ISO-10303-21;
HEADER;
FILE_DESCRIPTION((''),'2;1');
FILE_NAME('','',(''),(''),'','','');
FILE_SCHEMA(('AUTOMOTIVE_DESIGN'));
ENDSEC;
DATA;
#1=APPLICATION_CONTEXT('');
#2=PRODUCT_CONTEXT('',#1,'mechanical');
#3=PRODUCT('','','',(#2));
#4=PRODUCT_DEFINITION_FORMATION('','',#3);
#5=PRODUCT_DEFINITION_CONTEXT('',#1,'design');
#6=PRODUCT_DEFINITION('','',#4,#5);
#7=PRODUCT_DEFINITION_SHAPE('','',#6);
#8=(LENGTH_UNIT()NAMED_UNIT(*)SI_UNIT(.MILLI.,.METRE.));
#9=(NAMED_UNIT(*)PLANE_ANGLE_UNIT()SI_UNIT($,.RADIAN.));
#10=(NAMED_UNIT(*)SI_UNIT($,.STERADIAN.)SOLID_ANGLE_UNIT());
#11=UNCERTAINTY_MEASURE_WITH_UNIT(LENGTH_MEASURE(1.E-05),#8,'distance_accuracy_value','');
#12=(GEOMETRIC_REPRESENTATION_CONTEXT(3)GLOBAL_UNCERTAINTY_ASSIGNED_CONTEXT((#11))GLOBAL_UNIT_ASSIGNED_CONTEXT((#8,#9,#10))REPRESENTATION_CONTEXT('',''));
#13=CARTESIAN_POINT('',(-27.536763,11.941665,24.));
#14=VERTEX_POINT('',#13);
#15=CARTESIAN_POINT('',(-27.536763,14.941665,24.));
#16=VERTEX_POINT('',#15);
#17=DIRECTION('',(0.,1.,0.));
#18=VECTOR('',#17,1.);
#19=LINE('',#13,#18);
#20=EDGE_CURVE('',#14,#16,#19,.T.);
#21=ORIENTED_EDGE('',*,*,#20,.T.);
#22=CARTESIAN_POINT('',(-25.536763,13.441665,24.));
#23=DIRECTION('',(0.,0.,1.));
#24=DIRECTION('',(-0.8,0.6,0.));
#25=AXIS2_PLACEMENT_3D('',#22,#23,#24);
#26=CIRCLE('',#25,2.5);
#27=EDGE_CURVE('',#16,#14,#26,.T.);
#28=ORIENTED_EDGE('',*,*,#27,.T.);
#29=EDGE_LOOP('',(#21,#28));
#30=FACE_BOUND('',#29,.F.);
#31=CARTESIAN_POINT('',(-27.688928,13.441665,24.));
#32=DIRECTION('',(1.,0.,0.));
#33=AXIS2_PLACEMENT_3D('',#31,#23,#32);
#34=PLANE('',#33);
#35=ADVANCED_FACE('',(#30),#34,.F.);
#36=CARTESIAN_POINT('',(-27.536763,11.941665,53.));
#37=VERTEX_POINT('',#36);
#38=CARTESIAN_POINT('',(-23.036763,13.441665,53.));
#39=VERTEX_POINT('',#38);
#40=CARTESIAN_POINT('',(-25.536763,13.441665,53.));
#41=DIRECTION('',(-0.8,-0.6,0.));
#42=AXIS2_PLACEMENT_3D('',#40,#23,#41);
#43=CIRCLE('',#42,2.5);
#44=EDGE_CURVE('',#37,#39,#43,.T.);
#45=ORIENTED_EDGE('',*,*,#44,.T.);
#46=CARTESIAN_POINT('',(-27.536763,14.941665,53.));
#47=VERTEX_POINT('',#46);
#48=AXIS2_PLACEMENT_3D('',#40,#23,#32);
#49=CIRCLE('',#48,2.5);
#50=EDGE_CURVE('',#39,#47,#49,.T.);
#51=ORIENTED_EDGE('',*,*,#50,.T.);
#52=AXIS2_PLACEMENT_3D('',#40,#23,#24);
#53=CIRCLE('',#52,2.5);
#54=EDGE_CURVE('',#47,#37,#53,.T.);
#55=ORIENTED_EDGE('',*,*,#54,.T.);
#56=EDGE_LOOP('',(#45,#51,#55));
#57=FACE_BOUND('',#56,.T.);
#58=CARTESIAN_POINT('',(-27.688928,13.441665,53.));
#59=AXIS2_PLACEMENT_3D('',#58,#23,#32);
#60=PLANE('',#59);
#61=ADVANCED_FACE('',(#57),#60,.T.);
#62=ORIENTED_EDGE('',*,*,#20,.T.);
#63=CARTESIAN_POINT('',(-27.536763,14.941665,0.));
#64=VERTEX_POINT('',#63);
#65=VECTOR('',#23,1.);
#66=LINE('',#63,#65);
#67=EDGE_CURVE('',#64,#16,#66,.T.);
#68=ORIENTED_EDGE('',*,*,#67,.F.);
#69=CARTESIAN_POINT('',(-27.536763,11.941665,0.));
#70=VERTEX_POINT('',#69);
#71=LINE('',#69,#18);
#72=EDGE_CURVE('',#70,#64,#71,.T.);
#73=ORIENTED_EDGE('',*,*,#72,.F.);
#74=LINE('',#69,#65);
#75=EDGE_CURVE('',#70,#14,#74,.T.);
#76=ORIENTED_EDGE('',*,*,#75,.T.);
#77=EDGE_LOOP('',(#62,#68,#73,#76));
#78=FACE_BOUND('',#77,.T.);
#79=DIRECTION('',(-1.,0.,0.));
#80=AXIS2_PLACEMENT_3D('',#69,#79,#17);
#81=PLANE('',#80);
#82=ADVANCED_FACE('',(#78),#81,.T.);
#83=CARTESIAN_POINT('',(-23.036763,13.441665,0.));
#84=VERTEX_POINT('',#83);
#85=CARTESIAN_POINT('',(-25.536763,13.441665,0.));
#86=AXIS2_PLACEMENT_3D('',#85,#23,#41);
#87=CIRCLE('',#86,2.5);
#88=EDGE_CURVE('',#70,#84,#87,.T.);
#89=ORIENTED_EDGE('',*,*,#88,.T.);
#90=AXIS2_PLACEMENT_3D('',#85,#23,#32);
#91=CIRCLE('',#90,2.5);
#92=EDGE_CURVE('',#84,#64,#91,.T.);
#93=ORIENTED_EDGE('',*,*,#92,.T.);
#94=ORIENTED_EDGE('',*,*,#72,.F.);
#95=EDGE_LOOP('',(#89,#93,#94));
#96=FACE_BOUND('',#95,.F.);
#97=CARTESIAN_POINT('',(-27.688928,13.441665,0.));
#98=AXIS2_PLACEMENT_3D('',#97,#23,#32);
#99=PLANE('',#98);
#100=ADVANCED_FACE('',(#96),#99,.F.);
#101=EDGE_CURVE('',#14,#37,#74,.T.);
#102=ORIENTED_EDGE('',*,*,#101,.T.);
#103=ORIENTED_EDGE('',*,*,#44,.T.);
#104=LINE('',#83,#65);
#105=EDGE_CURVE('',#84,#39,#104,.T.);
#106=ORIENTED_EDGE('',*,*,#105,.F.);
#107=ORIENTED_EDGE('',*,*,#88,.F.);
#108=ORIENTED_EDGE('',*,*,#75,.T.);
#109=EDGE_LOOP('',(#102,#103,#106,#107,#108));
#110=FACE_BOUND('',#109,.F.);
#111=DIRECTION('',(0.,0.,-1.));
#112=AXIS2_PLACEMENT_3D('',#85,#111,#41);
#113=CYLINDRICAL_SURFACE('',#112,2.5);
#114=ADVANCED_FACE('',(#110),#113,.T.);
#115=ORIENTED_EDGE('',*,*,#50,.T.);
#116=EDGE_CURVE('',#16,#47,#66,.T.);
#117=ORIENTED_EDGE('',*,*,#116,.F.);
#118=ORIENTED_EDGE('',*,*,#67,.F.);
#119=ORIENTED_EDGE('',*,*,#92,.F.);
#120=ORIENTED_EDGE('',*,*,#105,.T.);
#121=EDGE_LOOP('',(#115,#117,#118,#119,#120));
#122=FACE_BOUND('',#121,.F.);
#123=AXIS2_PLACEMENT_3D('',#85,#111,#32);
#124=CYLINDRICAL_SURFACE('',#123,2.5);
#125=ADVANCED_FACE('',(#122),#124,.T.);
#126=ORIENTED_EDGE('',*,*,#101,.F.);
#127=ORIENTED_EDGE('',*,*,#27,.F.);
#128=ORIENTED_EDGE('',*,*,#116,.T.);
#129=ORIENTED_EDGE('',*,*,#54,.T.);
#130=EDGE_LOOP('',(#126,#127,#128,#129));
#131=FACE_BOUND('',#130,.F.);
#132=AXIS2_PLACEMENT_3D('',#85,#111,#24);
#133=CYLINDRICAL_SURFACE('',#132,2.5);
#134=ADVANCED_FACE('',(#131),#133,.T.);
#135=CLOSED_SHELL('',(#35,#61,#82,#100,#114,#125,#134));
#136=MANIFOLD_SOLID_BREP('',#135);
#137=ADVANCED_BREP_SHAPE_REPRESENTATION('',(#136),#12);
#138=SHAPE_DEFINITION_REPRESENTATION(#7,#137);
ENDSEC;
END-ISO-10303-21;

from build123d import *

# Parameters (mm, degrees)
F1_DEPTH = 53
F2_DEPTH = 24


with BuildPart() as f1:
    # F0 (on Top) → F1 (new body)
    with BuildSketch(Plane.XY):
        with BuildLine():
            Line((-27.5367628783, 11.9416650981), (-27.5367628783, 14.9416650981))
            ThreePointArc((-27.5367628783, 14.9416650981), (-28.0367628783, 13.4416650981), (-27.5367628783, 11.9416650981))
        make_face()
        with BuildLine():
            ThreePointArc((-27.5367628783, 11.9416650981), (-24.7461934633, 11.0699568529), (-23.0367628783, 13.4416650981))
            ThreePointArc((-23.0367628783, 13.4416650981), (-24.7461934633, 15.8133733432), (-27.5367628783, 14.9416650981))
            Line((-27.5367628783, 14.9416650981), (-27.5367628783, 11.9416650981))
        make_face()
    extrude(amount=F1_DEPTH)

    # F0 (on Top) → F2 (cut)
    with BuildSketch(Plane.XY):
        with BuildLine():
            Line((-27.5367628783, 11.9416650981), (-27.5367628783, 14.9416650981))
            ThreePointArc((-27.5367628783, 14.9416650981), (-28.0367628783, 13.4416650981), (-27.5367628783, 11.9416650981))
        make_face()
    extrude(amount=F2_DEPTH, mode=Mode.SUBTRACT)


solid = f1.part
